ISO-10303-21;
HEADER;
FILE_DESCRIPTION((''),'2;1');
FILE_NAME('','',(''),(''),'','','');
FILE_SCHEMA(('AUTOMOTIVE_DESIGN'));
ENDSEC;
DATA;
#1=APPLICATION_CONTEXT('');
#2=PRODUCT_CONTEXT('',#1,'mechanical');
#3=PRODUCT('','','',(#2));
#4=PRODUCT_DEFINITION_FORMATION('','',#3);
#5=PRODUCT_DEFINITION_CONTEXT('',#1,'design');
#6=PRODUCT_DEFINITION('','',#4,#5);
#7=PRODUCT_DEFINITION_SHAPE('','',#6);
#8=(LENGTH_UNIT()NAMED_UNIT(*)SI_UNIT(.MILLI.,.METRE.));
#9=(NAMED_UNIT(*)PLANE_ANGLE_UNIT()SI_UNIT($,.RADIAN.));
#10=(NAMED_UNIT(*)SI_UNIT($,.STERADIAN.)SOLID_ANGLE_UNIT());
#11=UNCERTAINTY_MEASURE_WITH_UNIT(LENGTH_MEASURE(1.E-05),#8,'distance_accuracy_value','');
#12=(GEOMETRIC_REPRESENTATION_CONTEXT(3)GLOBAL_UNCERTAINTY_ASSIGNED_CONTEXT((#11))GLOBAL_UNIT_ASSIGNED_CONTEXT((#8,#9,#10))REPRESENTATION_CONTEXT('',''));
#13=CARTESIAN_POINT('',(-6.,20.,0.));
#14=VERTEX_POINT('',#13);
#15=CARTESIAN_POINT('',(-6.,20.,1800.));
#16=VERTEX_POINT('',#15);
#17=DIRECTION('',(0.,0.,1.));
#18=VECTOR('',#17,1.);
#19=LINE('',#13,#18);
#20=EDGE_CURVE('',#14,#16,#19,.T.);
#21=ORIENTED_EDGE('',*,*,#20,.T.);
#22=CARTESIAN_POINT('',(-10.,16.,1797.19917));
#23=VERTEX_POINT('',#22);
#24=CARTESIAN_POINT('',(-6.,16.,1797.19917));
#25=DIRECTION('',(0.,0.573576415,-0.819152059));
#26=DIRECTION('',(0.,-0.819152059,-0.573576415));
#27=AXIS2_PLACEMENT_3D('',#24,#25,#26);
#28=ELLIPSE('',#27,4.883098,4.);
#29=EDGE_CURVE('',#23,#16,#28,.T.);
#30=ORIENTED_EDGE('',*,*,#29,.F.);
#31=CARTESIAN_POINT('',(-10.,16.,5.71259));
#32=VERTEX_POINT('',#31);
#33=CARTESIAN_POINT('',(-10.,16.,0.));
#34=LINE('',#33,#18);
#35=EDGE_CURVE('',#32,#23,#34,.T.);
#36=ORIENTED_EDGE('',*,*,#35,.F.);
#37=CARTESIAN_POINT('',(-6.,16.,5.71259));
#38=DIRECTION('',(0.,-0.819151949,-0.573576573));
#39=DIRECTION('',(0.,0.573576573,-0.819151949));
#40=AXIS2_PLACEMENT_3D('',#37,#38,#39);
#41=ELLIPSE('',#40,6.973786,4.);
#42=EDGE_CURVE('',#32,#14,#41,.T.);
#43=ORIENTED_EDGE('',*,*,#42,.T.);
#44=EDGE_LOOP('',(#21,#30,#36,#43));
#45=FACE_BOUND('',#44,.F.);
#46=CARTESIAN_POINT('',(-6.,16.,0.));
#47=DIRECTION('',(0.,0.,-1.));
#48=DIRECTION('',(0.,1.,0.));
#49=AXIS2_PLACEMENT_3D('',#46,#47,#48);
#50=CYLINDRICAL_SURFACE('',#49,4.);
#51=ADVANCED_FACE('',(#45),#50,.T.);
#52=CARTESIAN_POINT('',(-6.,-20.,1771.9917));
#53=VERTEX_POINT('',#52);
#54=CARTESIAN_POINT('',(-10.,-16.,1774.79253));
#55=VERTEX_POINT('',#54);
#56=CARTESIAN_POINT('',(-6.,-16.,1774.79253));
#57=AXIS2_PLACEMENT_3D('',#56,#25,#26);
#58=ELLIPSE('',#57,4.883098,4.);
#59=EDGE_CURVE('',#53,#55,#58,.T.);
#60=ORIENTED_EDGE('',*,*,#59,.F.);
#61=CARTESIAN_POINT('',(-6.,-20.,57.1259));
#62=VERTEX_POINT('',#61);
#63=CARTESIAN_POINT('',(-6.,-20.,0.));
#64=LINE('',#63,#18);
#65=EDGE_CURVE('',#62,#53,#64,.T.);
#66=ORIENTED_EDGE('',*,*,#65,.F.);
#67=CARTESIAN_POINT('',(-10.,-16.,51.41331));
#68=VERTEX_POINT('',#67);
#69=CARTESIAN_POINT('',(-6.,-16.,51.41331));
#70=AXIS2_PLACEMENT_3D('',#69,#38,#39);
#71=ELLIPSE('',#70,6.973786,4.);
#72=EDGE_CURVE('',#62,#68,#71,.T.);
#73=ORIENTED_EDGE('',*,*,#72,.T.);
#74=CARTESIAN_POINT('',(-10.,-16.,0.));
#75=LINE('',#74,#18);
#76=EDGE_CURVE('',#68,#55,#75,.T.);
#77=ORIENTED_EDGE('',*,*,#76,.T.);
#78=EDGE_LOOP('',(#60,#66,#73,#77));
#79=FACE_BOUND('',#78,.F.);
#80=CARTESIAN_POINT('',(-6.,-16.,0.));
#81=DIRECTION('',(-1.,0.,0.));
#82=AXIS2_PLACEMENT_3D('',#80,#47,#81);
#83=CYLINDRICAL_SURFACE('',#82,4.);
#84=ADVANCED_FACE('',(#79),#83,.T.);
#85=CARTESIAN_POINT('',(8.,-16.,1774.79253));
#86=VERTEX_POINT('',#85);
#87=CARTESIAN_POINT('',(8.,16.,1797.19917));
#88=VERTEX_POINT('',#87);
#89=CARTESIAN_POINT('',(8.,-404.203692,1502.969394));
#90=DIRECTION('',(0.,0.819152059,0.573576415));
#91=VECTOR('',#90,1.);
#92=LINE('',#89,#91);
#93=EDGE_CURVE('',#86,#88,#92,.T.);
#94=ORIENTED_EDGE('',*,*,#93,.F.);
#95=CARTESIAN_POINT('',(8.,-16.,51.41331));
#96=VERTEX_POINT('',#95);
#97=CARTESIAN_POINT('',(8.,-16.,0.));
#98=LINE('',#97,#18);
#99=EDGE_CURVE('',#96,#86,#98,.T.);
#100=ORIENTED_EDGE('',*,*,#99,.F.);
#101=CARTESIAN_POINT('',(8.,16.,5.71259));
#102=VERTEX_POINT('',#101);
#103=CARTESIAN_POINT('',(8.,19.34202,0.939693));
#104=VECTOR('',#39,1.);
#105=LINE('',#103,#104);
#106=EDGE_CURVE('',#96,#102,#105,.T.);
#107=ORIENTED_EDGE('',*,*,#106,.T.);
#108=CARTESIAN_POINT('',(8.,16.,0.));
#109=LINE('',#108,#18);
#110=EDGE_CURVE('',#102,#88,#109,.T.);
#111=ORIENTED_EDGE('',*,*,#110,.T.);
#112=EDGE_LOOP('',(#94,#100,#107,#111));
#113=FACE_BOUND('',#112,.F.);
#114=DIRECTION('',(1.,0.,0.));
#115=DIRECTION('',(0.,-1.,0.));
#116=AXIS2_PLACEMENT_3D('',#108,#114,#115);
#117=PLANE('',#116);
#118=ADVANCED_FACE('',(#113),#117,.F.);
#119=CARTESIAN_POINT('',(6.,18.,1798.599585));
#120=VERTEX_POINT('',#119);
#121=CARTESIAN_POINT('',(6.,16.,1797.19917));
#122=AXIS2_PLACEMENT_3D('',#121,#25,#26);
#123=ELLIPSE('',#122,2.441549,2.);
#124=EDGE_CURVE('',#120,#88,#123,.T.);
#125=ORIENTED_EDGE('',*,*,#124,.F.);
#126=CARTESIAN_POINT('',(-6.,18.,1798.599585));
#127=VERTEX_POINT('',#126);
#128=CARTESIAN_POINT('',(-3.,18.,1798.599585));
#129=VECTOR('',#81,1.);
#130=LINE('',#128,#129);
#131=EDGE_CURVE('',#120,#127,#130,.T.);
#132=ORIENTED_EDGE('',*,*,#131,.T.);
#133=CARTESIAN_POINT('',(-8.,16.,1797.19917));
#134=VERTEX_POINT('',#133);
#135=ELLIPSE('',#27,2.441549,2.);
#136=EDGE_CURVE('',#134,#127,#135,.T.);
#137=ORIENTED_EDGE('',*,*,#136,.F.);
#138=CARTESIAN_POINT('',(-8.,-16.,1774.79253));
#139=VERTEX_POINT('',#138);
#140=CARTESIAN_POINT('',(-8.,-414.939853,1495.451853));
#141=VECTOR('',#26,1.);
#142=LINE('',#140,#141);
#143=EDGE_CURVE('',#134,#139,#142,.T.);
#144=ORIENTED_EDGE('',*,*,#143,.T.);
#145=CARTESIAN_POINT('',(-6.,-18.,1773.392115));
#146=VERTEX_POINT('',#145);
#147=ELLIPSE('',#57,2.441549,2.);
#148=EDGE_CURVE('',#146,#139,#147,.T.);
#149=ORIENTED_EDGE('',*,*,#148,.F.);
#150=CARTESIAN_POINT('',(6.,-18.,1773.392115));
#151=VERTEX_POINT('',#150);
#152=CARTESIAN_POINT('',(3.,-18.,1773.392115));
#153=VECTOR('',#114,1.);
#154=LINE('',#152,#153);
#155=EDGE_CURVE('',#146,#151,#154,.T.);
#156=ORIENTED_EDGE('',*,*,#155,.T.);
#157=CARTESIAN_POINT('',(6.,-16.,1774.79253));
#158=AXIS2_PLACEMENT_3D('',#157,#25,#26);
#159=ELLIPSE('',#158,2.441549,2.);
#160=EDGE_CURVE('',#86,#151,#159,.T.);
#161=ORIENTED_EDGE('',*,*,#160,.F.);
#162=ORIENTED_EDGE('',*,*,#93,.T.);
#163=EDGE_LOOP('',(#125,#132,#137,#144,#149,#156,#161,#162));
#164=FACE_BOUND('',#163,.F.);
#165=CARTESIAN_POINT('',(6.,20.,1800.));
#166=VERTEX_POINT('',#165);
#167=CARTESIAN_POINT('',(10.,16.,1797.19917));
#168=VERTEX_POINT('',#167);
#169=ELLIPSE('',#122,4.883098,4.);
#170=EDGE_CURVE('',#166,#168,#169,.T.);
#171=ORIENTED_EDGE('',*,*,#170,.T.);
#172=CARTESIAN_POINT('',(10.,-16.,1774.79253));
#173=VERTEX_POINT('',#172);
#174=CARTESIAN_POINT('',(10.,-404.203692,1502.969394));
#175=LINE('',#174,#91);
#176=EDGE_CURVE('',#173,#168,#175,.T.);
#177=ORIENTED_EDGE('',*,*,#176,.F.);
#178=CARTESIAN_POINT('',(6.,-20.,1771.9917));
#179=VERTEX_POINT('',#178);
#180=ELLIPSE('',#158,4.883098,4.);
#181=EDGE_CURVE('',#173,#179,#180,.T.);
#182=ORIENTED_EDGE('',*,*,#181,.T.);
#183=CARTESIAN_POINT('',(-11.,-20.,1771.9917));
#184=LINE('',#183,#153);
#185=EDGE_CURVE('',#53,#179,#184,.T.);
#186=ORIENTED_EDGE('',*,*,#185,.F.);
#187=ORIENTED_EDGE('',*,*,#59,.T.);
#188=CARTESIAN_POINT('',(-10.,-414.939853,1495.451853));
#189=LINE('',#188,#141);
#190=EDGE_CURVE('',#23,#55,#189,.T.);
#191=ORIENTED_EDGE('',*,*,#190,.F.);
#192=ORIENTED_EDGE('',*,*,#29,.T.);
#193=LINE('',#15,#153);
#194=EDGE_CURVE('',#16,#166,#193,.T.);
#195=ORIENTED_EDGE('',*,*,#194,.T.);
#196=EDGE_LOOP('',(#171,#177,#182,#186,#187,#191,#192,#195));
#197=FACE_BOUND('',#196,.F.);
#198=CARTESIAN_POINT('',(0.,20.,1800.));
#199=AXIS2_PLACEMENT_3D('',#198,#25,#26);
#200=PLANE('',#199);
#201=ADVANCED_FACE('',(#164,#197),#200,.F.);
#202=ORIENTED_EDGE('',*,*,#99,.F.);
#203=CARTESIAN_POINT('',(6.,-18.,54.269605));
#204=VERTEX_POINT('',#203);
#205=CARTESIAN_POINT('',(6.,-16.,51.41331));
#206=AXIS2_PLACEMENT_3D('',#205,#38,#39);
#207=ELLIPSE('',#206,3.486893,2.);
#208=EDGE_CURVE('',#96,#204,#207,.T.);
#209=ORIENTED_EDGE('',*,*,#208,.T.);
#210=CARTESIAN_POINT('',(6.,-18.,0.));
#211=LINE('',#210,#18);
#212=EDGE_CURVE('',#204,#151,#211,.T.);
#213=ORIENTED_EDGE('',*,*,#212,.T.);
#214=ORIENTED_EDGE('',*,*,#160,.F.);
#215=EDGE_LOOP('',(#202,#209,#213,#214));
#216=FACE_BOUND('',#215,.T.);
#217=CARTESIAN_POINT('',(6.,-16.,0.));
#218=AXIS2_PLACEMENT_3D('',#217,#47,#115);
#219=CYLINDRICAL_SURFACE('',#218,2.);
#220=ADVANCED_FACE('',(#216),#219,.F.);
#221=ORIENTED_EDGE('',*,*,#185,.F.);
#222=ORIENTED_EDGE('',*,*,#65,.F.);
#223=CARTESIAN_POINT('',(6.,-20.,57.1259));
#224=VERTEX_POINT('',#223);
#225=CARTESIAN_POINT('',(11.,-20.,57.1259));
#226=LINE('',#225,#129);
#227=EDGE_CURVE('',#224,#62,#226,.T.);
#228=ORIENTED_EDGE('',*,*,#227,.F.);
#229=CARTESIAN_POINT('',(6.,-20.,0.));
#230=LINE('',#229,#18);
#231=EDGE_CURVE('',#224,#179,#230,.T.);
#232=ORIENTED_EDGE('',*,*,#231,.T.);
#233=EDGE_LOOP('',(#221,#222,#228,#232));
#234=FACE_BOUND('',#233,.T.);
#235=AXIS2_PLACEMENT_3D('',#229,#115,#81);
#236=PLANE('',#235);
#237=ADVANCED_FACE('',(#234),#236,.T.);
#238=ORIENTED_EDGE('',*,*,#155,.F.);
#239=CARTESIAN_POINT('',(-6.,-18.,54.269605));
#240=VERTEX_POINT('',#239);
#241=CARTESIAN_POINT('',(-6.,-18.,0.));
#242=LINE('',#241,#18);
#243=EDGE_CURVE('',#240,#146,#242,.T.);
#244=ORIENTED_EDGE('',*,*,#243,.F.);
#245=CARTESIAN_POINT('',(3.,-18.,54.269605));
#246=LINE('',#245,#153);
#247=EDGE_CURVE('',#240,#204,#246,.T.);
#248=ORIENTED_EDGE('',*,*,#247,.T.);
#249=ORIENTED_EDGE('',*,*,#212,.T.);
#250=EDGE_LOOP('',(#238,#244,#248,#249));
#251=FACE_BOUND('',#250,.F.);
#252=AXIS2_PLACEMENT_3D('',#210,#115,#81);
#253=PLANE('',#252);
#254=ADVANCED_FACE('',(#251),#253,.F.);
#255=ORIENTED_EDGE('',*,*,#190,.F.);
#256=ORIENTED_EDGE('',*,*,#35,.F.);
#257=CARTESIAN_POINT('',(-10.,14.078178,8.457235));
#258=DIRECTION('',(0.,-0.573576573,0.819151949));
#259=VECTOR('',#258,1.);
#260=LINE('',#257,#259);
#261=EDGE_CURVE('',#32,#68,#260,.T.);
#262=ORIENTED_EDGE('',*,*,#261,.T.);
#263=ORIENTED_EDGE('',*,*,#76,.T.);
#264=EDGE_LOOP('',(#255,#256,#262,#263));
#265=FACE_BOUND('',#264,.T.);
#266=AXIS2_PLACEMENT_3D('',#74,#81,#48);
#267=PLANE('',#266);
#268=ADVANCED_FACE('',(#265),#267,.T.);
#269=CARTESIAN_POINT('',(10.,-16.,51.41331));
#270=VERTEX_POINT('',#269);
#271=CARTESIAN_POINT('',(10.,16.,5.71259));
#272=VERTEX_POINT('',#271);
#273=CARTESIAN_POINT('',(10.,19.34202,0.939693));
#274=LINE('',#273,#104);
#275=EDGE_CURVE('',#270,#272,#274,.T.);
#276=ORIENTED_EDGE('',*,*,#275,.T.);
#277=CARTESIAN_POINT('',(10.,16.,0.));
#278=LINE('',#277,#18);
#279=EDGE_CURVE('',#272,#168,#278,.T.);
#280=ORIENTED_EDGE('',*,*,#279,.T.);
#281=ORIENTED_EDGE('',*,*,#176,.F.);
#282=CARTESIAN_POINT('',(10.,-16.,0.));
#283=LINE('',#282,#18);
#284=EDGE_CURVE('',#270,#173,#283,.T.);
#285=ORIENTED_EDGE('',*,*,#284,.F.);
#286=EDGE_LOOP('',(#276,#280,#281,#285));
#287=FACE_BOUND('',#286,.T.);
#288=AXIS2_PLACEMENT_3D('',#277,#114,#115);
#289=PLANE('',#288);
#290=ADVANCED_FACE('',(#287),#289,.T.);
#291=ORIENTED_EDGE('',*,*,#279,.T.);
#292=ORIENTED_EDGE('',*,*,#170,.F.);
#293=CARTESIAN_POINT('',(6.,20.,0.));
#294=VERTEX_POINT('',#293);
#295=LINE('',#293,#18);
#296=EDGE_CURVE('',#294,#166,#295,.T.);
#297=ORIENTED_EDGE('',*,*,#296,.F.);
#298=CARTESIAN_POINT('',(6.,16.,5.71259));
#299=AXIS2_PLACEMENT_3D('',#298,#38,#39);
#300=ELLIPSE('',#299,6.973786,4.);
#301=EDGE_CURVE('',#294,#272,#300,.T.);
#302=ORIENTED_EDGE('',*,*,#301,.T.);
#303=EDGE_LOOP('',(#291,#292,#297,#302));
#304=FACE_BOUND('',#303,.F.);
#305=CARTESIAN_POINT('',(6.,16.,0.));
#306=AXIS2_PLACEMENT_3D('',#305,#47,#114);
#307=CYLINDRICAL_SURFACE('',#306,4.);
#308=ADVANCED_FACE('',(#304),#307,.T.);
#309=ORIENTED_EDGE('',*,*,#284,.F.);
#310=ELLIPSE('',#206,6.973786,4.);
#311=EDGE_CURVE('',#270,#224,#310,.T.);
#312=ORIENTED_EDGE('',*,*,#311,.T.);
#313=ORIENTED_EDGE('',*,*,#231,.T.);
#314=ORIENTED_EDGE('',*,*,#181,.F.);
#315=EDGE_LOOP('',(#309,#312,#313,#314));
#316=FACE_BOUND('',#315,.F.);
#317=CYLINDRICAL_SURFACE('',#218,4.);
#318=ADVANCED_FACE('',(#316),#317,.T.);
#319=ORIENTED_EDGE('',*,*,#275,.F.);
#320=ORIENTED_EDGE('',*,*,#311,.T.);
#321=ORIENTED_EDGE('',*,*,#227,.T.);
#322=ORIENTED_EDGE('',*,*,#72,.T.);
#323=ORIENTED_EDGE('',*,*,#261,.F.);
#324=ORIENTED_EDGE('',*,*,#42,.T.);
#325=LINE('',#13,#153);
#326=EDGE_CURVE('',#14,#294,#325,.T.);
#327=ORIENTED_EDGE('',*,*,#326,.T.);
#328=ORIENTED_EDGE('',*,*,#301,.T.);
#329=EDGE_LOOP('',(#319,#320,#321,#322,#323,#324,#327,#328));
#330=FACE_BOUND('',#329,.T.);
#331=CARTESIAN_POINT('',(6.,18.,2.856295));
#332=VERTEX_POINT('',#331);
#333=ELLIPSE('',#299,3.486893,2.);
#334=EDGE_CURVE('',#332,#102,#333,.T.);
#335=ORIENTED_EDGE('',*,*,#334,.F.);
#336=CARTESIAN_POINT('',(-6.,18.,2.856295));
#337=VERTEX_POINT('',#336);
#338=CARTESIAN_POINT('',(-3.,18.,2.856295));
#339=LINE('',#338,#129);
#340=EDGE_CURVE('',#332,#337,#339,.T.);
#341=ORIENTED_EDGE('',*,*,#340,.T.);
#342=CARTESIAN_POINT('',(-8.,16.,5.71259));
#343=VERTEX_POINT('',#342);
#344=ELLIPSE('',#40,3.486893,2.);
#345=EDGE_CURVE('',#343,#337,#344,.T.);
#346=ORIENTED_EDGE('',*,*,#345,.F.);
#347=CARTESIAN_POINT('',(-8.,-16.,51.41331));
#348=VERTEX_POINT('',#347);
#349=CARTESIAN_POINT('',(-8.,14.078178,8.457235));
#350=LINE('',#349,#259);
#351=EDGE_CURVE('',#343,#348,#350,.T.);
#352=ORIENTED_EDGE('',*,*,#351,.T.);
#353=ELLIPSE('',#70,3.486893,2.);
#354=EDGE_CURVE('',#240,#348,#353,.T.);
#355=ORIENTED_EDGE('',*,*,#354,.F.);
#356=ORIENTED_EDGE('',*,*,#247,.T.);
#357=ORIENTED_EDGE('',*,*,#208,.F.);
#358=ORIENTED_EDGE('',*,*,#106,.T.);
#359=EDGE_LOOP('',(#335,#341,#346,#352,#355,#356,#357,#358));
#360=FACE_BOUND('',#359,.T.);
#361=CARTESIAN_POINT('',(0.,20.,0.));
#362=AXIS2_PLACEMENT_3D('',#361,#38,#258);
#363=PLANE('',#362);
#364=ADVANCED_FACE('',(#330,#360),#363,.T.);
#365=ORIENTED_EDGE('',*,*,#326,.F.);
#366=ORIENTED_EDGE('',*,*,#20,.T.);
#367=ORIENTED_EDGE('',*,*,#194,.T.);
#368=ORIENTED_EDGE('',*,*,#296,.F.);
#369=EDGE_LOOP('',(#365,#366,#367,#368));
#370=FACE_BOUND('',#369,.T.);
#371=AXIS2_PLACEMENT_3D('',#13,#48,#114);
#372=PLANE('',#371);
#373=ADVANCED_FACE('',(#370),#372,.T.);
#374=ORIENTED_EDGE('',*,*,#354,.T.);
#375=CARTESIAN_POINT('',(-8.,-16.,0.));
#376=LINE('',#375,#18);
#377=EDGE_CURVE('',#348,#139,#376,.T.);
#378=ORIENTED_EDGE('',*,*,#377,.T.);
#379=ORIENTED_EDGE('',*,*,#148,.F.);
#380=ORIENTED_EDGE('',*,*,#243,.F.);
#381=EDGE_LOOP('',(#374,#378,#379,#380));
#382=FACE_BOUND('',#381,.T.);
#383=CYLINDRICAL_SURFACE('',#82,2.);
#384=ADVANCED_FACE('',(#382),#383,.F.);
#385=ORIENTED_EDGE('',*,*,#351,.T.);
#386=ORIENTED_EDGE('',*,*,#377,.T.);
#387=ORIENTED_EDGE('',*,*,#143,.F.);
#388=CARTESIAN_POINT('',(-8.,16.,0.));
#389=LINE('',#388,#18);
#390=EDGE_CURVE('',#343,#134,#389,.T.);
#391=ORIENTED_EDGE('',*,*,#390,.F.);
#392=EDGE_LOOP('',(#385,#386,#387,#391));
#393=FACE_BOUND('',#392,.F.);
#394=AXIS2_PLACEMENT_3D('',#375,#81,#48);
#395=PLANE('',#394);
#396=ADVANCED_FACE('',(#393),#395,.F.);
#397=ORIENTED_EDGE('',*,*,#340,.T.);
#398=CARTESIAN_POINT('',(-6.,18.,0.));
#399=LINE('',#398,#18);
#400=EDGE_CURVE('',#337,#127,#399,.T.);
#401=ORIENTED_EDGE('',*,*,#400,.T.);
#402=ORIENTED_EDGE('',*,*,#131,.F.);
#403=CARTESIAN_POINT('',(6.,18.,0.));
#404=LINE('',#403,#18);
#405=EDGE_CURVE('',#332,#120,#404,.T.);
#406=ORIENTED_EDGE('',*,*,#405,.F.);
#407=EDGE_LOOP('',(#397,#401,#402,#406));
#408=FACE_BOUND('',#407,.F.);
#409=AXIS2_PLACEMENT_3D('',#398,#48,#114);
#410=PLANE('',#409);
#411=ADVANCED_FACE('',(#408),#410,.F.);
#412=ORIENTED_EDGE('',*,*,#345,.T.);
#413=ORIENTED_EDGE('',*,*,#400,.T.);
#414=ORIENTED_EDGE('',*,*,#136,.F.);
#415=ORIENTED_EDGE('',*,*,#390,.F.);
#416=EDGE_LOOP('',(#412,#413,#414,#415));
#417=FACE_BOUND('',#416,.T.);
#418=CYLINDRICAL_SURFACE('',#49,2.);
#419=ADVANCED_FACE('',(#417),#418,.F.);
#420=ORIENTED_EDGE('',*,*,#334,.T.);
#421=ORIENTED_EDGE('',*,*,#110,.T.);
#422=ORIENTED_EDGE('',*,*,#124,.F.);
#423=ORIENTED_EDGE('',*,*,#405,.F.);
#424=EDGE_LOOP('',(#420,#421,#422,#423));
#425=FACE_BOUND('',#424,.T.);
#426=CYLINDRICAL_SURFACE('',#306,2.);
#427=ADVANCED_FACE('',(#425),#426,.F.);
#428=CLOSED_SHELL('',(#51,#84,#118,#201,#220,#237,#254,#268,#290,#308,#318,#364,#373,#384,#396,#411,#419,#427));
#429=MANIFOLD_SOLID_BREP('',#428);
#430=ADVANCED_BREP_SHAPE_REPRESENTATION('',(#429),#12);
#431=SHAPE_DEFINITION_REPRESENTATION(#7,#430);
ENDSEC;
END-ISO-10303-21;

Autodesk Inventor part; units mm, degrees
ref_plane "YZ Plane" through (0, 0, 0) normal (1, 0, 0) x (0, 1, 0)
ref_plane "Start plane" through (0, 0, 0) normal (0, 0, 1) x (1, 0, 0)
ref_plane "End plane" through (0, 0, 1800) normal (0, 0, 1) x (1, 0, 0)
sketch "Sketch" plane through (0, 0, 0) normal (0, 0, 1) x (1, 0, 0)
  line L0 (-10, -16) -> (-10, 16)
  line L1 (-6, 20) -> (6, 20)
  line L2 (10, 16) -> (10, -16)
  line L3 (6, -20) -> (-6, -20)
  arc A0 (-10, -16) -> (-6, -20) centre (-6, -16) ccw
  arc A1 (10, 16) -> (6, 20) centre (6, 16) ccw
  arc A2 (-6, 20) -> (-10, 16) centre (-6, 16) ccw
  arc A3 (6, -20) -> (10, -16) centre (6, -16) ccw
  arc A4 (-6, 18) -> (-8, 16) centre (-6, 16) ccw
  line L4 (-6, 18) -> (6, 18)
  arc A5 (8, 16) -> (6, 18) centre (6, 16) ccw
  line L5 (8, 16) -> (8, -16)
  arc A6 (6, -18) -> (8, -16) centre (6, -16) ccw
  line L6 (6, -18) -> (-6, -18)
  arc A7 (-8, -16) -> (-6, -18) centre (-6, -16) ccw
  line L7 (-8, -16) -> (-8, 16)
  line L8 (0, 37.1021) -> (0, -37.1021) construction
  line L9 (-23.1021, 0) -> (23.1021, 0) construction
  dimension "d7" = 4
  dimension "d9" = 20
  dimension "d11" = 40
  dimension "d12" = 2
  dimension "d15" = 10
  dimension "d16" = 20
extrude "Body" add sketch "Sketch" along normal up to surface (1800 mm away) from surface at 0
sketch "Sketch3" plane through (0, 0, 0) normal (0, 0, 1) x (1, 0, 0)
  line L0 (0, 0) -> (10, 0)
ref_plane "Work Plane3" through (0, 0, 0) normal (0, -1, 0) x (1, 0, 0)
sketch "Sketch5" plane through (0, 0, 0) normal (1, 0, 0) x (0, 1, 0)
  line L0 (-20, 0) -> (-20, 1800) projected
  line L1 (-20, 0) -> (-20, 1800) projected
  line L2 (20, 0) -> (20, 1800) projected
  line L3 (20, 0) -> (20, 1800) projected
  line L4 (-20, 0) -> (20, 0)
  line L5 (-20, 1800) -> (20, 1800)
  line L6 (20, 1800) -> (-20, 1771.9917)
  line L7 (20, 0) -> (-20, 57.1259)
  line L8 (-20, 0) -> (-20, 1800) projected
  point P0 (0, 0)
  dimension "d19" = 55
  dimension "d20" = 35
extrude "Extrusion2" cut sketch "Sketch5" along normal through all both and the other way through all contours L0 L7 L4 | L0 L5 L6
sketch "Sketch4" plane through (0, 0, 0) normal (0, -1, 0) x (1, 0, 0)
  line L0 (-2, 0) -> (12, 0) projected
  line L1 (-2, 1800) -> (12, 1800) projected
  dimension "d18" = 1800
equation "\"d7\" = G_IR"
equation "\"d9\" = G_W"
equation "\"d11\" = G_H"
equation "\"d12\" = G_T"
equation "\"d15\" = 0.5 * d9"
equation "\"d16\" = 0.5 * d11"
equation "\"d3\" = G_L"
equation "\"G_W\" = 20"
equation "\"G_H\" = 40"
equation "\"G_T\" = 2"
equation "\"G_IR\" = 4"
equation "\"G_L\" = d18"
equation "\"G_OFFSET_START\" = 0"
equation "\"G_OFFSET_END\" = 0"
properties part number "ISO 4019 - 40x20x2 - 1800" material "Stainless Steel"
